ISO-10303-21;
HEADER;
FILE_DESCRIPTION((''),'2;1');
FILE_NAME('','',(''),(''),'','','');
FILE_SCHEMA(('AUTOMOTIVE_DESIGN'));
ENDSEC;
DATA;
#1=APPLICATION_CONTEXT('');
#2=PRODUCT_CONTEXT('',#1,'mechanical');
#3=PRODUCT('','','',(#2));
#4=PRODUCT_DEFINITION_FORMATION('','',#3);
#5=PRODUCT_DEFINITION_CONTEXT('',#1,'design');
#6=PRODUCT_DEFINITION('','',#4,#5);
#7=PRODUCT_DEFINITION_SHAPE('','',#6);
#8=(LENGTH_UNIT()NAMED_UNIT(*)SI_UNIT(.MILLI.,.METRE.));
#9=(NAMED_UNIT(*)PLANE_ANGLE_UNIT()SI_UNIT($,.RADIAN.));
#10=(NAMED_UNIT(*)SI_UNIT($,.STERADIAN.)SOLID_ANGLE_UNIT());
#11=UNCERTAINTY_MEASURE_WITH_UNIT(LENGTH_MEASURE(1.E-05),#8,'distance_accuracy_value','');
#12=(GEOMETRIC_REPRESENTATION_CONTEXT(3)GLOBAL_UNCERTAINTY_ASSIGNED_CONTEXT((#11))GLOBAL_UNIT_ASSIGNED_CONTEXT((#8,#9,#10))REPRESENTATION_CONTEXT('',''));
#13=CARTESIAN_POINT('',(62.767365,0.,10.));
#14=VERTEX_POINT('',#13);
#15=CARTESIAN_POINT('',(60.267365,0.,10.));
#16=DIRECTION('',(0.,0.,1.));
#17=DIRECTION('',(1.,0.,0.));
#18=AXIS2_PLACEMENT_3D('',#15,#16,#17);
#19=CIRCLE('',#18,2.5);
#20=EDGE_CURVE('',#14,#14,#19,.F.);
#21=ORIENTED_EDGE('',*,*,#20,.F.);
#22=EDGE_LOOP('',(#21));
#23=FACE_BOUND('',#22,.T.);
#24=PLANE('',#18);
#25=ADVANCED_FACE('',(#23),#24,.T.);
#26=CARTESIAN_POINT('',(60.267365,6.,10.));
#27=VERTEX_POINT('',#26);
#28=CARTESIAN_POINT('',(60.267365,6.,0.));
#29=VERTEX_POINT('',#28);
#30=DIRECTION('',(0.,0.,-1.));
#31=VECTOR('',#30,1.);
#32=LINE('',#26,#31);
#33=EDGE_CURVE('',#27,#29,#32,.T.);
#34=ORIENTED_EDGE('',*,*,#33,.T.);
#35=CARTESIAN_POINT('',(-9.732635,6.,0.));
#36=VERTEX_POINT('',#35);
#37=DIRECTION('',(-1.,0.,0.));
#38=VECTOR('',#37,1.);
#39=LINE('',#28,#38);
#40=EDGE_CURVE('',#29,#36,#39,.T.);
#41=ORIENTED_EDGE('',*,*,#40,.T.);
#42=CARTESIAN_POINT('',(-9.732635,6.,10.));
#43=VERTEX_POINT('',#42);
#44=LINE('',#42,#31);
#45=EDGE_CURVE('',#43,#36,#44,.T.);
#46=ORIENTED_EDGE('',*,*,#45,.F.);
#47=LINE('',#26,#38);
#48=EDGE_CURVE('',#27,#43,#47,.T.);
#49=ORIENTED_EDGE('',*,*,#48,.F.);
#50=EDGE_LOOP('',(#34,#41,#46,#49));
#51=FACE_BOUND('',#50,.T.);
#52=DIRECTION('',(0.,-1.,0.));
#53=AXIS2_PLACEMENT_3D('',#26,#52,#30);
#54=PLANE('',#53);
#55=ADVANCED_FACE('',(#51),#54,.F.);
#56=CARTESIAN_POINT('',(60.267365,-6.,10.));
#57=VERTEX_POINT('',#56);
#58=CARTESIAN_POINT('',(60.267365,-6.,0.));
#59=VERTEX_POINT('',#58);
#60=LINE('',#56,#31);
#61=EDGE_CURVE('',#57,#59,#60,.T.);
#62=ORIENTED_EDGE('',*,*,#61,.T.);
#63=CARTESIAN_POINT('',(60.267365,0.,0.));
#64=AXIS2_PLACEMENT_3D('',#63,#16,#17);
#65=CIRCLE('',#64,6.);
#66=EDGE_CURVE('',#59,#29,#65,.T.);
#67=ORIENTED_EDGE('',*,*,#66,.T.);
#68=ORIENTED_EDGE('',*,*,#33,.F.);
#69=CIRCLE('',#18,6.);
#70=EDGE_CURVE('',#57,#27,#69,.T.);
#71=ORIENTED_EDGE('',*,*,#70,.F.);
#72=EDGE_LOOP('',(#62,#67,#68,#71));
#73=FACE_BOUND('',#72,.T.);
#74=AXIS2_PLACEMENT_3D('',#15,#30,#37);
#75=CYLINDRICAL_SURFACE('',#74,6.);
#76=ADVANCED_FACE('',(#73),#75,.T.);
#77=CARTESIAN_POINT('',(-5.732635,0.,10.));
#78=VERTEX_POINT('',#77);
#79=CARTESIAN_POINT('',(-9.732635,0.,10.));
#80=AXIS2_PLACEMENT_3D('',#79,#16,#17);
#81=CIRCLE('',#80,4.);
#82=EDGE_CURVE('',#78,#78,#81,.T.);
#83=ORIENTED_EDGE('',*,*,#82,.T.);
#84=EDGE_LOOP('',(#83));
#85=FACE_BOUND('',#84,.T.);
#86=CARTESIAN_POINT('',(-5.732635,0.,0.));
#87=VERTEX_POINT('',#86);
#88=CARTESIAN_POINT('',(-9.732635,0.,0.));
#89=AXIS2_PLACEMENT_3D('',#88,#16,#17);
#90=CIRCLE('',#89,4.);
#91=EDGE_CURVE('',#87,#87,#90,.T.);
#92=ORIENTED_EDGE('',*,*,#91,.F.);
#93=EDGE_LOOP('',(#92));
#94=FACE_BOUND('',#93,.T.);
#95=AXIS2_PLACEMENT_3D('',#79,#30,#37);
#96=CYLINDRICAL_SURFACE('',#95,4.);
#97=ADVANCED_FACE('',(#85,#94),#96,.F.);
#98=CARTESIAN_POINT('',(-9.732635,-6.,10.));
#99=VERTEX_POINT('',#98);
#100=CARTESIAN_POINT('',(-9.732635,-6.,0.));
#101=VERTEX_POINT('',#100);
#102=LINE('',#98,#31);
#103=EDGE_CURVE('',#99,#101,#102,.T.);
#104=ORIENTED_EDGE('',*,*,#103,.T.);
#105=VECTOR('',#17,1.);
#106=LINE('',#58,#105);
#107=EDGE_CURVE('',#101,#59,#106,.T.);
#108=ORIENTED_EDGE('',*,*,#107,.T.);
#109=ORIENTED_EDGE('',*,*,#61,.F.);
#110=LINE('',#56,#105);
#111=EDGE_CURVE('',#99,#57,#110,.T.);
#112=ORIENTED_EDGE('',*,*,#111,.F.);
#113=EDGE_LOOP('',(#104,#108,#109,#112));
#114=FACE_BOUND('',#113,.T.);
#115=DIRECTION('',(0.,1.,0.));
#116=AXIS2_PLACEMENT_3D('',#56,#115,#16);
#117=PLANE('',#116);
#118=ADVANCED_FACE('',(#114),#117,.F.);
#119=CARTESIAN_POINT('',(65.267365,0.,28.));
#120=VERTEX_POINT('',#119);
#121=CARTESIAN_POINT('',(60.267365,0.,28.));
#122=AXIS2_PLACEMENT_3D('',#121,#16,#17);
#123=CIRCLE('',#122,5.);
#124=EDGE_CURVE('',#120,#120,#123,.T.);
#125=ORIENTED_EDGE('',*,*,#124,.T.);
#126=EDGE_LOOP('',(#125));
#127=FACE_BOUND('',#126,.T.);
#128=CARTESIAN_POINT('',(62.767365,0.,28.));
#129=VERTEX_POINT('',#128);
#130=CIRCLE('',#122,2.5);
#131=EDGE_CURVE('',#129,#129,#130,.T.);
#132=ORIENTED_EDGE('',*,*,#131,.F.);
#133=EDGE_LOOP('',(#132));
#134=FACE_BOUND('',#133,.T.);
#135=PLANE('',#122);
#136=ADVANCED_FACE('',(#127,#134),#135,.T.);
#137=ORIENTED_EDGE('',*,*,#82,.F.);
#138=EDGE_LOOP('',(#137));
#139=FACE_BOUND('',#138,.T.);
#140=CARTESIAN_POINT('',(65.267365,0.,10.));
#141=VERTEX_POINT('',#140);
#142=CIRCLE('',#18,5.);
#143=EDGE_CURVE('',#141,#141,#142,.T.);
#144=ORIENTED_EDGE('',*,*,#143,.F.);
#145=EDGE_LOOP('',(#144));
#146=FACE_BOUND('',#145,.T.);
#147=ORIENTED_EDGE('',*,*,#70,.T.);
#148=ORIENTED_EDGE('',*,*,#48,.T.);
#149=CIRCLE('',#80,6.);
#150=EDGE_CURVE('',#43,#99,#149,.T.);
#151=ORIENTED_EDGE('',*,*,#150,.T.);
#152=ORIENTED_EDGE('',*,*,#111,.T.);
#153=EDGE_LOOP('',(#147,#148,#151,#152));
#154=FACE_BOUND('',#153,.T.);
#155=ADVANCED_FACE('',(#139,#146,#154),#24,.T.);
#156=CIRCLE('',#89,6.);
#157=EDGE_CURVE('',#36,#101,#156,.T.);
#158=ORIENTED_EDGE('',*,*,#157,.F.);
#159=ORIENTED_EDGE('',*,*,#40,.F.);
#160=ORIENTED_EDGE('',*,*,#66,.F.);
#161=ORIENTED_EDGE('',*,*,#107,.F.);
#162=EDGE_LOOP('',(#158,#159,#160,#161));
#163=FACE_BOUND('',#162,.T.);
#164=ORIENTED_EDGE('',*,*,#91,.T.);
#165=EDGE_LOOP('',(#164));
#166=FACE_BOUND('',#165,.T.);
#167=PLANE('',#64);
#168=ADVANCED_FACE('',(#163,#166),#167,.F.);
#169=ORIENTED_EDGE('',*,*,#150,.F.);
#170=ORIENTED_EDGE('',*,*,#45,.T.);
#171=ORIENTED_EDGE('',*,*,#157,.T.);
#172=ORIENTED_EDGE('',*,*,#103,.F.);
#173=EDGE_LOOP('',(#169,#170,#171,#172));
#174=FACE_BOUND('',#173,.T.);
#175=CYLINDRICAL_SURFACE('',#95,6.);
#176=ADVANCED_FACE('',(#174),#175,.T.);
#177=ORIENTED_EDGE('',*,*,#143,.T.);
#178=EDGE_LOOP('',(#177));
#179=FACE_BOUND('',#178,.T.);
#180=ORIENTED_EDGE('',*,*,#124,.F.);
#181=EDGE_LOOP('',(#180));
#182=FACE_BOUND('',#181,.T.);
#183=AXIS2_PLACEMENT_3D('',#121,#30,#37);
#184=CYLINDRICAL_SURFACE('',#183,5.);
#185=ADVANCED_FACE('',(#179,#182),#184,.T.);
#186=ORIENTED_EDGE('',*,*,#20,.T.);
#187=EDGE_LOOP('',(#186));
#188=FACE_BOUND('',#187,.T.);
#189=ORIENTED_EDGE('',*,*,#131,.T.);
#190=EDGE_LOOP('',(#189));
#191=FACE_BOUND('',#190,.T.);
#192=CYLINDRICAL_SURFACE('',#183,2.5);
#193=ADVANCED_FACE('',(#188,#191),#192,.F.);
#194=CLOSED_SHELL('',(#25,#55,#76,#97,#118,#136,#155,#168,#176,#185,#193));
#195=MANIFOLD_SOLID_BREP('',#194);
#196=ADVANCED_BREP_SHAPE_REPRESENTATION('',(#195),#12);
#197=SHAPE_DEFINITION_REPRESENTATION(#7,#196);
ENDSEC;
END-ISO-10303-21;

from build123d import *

# Parameters (mm, degrees)
CROQUIS1_R              = 4
SALIENTE_EXTRUIR1_DEPTH = 10
CROQUIS2_R              = 5
CROQUIS2_R_2            = 2.5
SALIENTE_EXTRUIR2_DEPTH = 18


with BuildPart() as part:
    # Croquis1 → Saliente-Extruir1 (new body)
    with BuildSketch(Plane.XY):
        with BuildLine():
            Line((60.267364884, 6), (-9.732635116, 6))
            ThreePointArc((-9.732635116, 6), (-15.732635116, 0), (-9.732635116, -6))
            Line((-9.732635116, -6), (60.267364884, -6))
            ThreePointArc((60.267364884, -6), (66.267364884, 0), (60.267364884, 6))
        make_face()
        with Locations((-9.732635116, 0)):
            Circle(CROQUIS1_R, mode=Mode.SUBTRACT)
    extrude(amount=SALIENTE_EXTRUIR1_DEPTH)

    # Croquis2 → Saliente-Extruir2 (add)
    with BuildSketch(Plane.XY.offset(10)):
        with Locations((60.267364884, 0)):
            Circle(CROQUIS2_R)
        with Locations((60.267364884, 0)):
            Circle(CROQUIS2_R_2, mode=Mode.SUBTRACT)
    extrude(amount=SALIENTE_EXTRUIR2_DEPTH)


solid = part.part
